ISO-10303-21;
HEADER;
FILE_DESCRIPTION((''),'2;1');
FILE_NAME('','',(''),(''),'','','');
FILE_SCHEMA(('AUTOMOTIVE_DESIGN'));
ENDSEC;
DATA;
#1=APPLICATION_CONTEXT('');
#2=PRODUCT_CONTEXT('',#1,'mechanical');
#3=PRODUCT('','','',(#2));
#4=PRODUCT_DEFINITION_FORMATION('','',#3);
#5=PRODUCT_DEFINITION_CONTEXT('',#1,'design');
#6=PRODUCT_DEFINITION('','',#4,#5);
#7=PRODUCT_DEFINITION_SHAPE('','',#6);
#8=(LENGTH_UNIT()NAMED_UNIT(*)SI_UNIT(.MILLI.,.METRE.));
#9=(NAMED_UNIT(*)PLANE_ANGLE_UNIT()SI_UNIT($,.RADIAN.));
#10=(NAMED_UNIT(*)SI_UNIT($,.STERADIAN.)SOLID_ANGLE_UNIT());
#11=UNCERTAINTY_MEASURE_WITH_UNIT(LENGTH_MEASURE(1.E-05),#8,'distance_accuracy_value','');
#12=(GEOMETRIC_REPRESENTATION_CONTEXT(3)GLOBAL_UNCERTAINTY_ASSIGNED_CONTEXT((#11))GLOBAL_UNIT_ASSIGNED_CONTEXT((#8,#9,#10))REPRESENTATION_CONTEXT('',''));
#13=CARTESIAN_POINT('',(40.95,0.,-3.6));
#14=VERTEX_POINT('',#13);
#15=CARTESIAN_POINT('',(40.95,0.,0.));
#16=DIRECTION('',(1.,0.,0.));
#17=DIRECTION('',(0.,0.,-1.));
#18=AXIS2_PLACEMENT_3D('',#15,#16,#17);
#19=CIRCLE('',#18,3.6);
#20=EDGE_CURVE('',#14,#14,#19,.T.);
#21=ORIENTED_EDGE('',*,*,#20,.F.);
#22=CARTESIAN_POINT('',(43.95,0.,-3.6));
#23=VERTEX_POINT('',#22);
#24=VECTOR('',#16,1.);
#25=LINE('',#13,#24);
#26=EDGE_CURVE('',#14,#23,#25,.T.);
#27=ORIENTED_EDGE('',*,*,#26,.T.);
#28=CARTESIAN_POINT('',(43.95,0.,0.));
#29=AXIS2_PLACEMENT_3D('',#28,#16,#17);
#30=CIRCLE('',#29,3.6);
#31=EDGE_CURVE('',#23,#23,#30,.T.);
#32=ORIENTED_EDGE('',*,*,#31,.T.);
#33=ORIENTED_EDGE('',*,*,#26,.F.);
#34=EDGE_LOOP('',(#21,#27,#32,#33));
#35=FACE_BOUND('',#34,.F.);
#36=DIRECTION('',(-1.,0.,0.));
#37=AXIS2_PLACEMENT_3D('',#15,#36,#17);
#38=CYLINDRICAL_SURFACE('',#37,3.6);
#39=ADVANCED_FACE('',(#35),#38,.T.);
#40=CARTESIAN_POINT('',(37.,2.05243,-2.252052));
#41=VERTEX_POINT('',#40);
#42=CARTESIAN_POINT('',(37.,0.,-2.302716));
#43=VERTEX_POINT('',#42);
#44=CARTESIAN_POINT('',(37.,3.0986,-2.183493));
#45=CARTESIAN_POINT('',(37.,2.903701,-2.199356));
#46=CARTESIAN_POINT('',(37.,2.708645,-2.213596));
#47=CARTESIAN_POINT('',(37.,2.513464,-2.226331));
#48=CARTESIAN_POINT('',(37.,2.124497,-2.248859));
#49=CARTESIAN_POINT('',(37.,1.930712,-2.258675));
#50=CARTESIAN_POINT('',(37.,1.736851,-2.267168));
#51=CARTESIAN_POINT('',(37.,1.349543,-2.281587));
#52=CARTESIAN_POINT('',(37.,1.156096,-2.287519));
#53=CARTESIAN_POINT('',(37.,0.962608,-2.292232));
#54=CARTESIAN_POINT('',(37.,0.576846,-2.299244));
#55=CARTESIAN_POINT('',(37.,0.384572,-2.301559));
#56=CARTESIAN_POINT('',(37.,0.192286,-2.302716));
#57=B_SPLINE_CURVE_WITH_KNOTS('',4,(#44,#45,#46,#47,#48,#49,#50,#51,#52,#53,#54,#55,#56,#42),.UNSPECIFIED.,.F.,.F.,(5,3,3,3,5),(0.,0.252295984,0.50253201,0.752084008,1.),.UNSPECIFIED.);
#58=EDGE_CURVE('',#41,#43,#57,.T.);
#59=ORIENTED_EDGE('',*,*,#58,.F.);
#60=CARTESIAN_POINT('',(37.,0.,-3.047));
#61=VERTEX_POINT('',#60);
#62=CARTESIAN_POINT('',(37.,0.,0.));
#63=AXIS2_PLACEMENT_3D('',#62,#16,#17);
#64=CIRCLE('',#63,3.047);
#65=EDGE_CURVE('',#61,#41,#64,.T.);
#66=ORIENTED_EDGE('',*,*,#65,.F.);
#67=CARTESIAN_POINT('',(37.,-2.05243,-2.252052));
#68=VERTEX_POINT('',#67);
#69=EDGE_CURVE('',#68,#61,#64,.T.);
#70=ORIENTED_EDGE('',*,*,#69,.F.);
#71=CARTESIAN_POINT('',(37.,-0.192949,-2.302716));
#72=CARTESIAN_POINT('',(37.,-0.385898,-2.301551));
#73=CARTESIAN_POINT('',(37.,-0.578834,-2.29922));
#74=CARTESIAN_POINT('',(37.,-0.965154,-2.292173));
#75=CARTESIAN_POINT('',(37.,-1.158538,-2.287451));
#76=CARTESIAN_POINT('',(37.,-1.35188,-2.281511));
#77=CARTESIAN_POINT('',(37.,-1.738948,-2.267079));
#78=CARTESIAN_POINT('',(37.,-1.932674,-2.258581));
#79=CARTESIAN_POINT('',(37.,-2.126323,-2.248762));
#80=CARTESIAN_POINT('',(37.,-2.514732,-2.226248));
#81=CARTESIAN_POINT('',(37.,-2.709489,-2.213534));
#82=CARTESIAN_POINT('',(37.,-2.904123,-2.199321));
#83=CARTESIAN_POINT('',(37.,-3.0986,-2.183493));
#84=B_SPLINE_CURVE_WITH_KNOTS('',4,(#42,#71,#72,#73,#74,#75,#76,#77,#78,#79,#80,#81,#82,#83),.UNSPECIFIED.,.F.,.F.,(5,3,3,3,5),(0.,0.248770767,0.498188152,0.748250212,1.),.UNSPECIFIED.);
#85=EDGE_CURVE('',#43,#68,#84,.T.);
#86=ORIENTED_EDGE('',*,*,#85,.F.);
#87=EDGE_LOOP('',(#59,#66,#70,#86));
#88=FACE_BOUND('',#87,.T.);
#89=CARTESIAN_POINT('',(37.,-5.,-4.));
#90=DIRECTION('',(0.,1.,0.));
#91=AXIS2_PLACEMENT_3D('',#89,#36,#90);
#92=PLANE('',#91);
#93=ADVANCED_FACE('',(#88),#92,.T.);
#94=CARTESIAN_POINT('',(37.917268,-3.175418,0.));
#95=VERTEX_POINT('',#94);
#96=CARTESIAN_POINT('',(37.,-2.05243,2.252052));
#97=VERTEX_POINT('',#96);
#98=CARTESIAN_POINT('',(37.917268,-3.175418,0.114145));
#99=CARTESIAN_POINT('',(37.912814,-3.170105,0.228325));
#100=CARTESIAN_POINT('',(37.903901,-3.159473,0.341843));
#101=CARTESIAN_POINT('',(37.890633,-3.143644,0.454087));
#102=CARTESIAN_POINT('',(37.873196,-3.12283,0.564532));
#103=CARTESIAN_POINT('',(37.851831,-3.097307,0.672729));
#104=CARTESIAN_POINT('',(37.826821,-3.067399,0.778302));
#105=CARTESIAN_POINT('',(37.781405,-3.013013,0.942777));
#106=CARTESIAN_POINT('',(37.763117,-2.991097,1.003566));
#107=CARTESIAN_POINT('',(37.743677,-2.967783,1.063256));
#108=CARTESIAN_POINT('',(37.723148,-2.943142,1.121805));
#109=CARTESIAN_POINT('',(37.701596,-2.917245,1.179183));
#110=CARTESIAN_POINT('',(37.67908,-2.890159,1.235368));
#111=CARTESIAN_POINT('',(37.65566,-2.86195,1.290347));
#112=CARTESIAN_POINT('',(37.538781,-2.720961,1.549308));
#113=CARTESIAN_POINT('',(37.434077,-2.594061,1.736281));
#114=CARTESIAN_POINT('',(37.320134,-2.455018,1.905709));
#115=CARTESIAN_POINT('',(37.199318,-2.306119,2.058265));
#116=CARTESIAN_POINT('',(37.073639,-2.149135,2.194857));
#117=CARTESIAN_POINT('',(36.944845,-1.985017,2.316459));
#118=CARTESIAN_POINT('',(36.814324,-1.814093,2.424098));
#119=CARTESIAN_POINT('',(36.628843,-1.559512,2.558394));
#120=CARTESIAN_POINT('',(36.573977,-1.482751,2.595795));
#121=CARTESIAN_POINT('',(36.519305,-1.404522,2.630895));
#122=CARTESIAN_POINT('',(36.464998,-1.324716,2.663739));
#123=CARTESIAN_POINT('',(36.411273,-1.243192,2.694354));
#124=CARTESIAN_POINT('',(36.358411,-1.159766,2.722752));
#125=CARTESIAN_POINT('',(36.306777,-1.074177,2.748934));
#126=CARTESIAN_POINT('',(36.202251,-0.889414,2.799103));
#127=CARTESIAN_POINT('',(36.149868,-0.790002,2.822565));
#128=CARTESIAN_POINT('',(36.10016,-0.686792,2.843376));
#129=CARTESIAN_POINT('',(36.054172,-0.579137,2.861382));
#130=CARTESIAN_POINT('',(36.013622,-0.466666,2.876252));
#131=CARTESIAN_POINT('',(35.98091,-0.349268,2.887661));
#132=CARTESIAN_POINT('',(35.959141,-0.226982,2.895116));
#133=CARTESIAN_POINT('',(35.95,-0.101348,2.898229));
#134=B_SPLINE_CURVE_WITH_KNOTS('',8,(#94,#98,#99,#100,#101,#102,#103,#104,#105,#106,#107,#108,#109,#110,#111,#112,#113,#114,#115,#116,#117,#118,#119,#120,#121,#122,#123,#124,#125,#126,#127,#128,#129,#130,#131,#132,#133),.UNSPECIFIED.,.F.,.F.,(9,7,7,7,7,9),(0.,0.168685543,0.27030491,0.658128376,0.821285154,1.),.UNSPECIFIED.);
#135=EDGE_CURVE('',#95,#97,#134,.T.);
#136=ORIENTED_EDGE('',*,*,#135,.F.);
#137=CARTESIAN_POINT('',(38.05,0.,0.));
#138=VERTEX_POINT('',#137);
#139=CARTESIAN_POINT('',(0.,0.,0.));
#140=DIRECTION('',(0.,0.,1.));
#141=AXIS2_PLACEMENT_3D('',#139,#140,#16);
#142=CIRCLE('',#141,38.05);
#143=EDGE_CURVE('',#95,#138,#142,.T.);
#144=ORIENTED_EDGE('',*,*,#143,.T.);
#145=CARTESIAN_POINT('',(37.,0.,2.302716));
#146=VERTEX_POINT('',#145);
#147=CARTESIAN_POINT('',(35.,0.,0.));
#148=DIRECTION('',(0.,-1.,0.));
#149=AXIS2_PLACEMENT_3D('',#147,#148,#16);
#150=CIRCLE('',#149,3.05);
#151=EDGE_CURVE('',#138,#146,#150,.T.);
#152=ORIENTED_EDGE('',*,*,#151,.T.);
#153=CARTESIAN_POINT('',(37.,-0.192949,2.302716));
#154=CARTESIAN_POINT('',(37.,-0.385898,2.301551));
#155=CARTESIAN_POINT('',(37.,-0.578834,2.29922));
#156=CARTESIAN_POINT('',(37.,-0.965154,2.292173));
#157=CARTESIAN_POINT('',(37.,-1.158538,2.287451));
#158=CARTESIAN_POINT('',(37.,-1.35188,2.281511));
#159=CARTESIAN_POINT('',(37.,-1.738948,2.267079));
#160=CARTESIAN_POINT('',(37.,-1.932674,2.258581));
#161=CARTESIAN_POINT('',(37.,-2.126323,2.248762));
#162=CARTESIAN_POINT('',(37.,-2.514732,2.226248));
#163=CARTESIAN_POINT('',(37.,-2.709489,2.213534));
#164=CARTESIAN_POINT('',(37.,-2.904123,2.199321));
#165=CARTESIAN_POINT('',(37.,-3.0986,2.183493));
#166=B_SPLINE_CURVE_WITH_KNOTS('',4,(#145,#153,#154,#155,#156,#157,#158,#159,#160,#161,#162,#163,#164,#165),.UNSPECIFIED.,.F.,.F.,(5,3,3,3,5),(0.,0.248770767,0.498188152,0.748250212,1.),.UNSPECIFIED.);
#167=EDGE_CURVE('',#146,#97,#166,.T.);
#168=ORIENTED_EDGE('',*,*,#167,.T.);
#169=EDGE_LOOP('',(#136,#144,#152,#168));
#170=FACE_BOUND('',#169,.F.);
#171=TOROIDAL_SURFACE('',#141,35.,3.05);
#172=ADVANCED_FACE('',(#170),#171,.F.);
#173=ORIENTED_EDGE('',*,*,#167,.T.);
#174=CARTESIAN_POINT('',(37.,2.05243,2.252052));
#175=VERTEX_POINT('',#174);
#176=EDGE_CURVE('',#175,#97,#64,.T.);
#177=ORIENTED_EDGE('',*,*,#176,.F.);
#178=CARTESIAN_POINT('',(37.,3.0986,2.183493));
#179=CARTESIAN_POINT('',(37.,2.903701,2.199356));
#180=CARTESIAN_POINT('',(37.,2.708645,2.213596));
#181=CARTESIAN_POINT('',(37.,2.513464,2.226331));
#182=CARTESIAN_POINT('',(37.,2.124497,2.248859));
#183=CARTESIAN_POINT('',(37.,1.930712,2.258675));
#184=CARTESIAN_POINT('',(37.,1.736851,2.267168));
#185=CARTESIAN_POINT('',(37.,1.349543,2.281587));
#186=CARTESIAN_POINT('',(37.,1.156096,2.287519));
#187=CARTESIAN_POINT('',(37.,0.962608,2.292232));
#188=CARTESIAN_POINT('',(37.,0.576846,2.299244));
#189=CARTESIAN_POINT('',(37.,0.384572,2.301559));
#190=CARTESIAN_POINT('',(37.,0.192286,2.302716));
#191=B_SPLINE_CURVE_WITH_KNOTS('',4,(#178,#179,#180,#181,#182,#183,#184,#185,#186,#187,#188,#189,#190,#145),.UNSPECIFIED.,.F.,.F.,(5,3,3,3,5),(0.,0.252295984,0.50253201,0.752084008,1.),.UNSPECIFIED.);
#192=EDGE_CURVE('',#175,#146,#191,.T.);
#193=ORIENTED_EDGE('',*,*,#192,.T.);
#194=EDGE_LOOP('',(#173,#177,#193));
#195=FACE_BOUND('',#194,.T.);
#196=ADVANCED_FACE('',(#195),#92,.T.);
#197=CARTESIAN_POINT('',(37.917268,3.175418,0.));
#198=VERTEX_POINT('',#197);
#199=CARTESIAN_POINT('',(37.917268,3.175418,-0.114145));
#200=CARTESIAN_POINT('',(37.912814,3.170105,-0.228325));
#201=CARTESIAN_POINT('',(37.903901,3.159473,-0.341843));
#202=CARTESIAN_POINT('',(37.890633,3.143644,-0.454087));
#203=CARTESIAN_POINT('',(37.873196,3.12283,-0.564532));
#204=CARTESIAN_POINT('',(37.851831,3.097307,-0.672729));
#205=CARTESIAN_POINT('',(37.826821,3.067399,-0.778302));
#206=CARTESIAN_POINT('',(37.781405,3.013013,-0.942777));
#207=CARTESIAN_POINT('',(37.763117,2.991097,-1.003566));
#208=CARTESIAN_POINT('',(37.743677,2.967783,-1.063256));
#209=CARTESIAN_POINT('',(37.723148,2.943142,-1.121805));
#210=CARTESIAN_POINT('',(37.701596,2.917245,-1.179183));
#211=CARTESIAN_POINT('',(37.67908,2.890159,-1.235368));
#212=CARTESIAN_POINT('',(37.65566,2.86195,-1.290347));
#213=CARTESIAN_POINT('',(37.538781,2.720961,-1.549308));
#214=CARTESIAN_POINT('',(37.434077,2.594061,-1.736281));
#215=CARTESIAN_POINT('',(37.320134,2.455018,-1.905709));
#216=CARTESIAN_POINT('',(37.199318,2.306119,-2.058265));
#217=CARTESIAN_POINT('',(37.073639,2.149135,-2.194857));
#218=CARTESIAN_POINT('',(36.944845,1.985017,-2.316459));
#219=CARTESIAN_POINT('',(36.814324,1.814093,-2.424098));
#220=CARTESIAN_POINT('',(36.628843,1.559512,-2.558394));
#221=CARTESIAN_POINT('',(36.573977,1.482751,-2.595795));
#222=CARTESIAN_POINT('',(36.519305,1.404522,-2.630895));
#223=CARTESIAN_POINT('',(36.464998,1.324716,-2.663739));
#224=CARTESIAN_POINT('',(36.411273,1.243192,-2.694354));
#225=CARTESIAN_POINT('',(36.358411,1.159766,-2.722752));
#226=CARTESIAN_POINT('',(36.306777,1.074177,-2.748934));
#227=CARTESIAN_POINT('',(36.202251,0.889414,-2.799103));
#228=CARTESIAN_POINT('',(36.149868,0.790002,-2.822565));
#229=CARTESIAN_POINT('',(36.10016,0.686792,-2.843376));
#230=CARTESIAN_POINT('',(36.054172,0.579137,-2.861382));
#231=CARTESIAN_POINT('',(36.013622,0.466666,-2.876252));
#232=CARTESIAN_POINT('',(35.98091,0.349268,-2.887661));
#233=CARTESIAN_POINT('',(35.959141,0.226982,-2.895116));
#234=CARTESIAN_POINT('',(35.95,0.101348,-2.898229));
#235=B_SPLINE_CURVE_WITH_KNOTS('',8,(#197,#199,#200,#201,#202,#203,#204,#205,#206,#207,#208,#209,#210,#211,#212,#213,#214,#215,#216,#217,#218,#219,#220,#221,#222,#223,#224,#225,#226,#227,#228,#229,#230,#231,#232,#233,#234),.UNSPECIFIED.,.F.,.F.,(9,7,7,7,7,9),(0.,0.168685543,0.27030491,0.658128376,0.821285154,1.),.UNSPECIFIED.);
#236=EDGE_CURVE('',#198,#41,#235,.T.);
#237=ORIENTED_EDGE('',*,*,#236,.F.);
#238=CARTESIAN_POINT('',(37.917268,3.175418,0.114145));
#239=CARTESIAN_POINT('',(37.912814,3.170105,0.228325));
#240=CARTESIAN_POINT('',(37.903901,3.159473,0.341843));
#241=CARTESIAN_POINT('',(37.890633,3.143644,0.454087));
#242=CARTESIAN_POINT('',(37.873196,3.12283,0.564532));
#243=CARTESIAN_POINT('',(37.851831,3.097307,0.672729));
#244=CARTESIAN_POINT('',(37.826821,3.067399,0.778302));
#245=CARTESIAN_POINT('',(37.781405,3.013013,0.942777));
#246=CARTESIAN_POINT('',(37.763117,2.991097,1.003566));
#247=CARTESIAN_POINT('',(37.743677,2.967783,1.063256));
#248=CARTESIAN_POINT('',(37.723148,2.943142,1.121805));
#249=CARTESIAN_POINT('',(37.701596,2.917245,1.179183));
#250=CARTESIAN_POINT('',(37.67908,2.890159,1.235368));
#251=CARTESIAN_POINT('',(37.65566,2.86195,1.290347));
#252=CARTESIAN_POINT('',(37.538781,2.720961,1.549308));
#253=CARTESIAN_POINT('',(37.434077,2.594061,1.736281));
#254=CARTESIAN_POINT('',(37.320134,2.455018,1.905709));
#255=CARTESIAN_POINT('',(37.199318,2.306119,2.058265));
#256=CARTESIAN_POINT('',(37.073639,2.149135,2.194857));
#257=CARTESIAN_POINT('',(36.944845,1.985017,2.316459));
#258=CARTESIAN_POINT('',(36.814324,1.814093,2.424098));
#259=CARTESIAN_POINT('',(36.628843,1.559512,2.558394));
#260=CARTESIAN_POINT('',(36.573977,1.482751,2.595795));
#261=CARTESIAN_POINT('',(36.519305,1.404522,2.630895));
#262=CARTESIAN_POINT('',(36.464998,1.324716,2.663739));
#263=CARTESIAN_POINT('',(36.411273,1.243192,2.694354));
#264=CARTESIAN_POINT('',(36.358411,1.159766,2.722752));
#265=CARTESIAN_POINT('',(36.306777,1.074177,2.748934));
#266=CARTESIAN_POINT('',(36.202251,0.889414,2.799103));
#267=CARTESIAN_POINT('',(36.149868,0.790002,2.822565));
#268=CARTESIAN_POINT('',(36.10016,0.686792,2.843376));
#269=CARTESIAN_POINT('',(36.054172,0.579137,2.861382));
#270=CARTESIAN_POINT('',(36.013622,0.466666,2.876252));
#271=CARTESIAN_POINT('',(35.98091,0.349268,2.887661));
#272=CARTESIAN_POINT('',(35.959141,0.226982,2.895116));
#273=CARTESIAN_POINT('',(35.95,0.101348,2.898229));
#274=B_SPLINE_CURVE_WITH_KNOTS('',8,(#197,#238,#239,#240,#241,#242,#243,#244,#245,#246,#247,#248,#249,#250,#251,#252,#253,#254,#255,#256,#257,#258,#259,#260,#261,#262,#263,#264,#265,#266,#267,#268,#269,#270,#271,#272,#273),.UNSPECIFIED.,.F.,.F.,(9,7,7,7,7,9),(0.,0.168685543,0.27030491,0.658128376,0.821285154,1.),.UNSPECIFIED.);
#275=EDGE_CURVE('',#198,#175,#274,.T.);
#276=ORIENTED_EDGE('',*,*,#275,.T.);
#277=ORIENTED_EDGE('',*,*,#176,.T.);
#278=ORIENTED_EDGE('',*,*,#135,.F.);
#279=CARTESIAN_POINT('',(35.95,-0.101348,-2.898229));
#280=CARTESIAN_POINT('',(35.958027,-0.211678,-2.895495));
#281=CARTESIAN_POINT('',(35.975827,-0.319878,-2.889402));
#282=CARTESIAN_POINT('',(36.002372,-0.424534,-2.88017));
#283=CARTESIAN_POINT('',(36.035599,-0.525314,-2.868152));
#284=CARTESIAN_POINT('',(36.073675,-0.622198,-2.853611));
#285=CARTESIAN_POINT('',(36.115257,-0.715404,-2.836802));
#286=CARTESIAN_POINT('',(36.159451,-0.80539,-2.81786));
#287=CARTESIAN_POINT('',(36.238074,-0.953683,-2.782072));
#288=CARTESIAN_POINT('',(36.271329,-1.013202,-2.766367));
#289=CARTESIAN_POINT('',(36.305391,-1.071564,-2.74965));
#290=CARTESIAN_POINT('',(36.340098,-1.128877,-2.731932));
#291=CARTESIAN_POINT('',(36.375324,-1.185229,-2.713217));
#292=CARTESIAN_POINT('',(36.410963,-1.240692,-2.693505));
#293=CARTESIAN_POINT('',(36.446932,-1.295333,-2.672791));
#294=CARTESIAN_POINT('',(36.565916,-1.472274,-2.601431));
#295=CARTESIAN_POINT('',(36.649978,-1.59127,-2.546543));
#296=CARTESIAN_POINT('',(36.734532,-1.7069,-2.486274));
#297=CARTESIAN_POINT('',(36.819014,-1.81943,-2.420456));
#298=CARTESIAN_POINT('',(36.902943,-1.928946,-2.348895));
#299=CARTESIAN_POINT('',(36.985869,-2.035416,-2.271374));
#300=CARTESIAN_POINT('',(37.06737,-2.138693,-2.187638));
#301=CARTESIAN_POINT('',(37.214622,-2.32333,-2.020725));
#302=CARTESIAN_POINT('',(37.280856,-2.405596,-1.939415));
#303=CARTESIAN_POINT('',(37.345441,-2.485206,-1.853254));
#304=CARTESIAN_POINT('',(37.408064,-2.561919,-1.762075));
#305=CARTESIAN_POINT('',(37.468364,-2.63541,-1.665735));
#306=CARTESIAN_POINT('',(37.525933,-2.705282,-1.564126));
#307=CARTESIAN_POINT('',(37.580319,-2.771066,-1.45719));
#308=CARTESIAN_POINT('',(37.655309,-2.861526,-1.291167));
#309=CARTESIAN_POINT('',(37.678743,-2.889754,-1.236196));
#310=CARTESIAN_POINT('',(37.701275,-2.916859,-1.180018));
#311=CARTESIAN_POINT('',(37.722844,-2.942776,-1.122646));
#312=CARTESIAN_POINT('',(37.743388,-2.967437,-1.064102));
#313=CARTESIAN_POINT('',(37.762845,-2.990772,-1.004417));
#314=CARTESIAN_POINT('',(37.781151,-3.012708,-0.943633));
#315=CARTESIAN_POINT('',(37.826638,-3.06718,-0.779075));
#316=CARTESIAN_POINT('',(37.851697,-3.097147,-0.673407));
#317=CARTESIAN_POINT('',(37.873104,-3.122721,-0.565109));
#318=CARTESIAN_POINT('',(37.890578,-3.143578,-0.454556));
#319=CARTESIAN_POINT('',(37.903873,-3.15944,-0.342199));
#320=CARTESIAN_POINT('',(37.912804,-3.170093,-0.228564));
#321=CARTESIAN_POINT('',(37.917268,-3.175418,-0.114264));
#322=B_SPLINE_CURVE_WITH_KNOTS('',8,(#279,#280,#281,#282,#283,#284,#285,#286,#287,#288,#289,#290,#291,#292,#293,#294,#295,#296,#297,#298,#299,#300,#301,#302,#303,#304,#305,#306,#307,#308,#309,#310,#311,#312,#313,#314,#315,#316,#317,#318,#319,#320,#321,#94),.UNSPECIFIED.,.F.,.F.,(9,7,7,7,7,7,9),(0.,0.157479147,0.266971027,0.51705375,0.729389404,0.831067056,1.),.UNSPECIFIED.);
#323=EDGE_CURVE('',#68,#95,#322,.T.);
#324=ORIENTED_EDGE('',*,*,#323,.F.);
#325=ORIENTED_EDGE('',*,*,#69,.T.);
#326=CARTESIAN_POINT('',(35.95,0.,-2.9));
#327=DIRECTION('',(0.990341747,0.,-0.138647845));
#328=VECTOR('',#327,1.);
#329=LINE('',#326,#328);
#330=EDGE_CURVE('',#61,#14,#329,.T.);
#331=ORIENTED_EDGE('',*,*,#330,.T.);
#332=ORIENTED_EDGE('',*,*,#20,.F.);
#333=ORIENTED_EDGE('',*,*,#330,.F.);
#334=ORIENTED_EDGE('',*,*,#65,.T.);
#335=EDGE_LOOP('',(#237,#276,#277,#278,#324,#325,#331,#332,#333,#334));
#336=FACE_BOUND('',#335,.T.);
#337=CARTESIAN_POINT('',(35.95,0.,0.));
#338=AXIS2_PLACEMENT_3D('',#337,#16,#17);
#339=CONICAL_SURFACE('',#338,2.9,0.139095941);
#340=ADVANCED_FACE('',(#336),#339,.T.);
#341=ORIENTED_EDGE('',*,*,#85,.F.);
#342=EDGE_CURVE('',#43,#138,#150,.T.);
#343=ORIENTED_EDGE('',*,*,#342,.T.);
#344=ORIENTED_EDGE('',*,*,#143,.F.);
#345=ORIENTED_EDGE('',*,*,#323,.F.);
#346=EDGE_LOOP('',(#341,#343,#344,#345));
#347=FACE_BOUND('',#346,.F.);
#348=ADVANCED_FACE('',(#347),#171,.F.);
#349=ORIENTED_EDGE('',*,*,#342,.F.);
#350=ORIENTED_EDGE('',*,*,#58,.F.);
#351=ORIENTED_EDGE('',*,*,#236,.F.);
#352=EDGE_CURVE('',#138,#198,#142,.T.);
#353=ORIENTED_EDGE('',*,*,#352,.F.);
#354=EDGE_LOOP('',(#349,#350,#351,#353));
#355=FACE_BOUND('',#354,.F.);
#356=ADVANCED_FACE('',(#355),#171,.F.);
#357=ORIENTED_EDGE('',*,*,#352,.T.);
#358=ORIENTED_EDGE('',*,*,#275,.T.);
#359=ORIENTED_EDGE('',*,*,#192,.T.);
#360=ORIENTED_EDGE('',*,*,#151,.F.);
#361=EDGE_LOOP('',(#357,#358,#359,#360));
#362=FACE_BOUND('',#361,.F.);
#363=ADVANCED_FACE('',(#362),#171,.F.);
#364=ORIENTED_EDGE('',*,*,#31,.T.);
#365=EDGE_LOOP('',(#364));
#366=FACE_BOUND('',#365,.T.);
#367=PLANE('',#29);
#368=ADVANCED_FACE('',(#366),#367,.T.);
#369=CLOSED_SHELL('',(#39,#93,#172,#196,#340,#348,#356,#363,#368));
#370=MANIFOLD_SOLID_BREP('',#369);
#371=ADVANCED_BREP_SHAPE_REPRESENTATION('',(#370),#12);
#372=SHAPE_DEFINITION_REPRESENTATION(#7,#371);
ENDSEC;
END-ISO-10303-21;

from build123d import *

# Parameters (mm, degrees)
TORUS020_R              = 3.05
CONE003_PITCH_ANGLE     = 90
CYLINDER801_R           = 3.6
CYLINDER801_DEPTH       = 3
CYLINDER801_PITCH_ANGLE = 90
BOX179_W                = 16
BOX179_H                = 10
BOX179_DEPTH            = 10


with BuildPart() as torus:
    # Torus020 → Torus020 (revolve)
    with BuildSketch(Plane(origin=(0, 0, 1), x_dir=(1, 0, 0), z_dir=(0, -1, 0))):
        with Locations((35, 0)):
            Circle(TORUS020_R)
    revolve(axis=Axis((0, 0, 1), (0, 0, 1)))


with BuildPart() as cone:
    # Cone003 → Cone003 (revolve)
    with BuildSketch(Plane.XZ):
        Polygon((0, 0), (2.9, 0), (3.6, 5), (0, 5), align=None)
    revolve(axis=Axis((0, 0, 0), (0, 0, 1)))


with BuildPart() as cone_1:
    # Cone003 pitch: moved
    add(cone.part.rotate(Axis((0, 0, 0), (0, 1, 0)), CONE003_PITCH_ANGLE))


with BuildPart() as cone_2:
    # Cone003 placement: moved
    add(cone_1.part.moved(Location((34.95, 0, 0))))


with BuildPart() as cut:
    # Cylinder801 → Cylinder801 (new body)
    with BuildSketch(Plane.XY):
        Circle(CYLINDER801_R)
    extrude(amount=CYLINDER801_DEPTH)


with BuildPart() as cut_1:
    # Cylinder801 pitch: moved
    add(cut.part.rotate(Axis((0, 0, 0), (0, 1, 0)), CYLINDER801_PITCH_ANGLE))


with BuildPart() as cut_2:
    # Cylinder801 placement: moved
    add(cut_1.part.moved(Location((39.95, 0, 0))))

    # Fusion611: union Cone
    add(cone_2.part)


with BuildPart() as cut_3:
    # Fusion611 placement: moved
    add(cut_2.part.moved(Location((1, 0, 1))))

    # Cut066379: cut Torus
    add(torus.part, mode=Mode.SUBTRACT)


with BuildPart() as art4bearingplug:
    # Box179 → Box179 (new body)
    with BuildSketch(Plane(origin=(37, -5, -3), x_dir=(1, 0, 0), z_dir=(0, 0, 1))):
        with Locations((8, 5)):
            Rectangle(BOX179_W, BOX179_H)
    extrude(amount=BOX179_DEPTH)

    # Common053: intersect Cut
    add(cut_3.part, mode=Mode.INTERSECT)


with BuildPart() as art4bearingplug_1:
    # Common053 placement: moved
    add(art4bearingplug.part.moved(Location((0, 0, -1))))


solid = art4bearingplug_1.part
